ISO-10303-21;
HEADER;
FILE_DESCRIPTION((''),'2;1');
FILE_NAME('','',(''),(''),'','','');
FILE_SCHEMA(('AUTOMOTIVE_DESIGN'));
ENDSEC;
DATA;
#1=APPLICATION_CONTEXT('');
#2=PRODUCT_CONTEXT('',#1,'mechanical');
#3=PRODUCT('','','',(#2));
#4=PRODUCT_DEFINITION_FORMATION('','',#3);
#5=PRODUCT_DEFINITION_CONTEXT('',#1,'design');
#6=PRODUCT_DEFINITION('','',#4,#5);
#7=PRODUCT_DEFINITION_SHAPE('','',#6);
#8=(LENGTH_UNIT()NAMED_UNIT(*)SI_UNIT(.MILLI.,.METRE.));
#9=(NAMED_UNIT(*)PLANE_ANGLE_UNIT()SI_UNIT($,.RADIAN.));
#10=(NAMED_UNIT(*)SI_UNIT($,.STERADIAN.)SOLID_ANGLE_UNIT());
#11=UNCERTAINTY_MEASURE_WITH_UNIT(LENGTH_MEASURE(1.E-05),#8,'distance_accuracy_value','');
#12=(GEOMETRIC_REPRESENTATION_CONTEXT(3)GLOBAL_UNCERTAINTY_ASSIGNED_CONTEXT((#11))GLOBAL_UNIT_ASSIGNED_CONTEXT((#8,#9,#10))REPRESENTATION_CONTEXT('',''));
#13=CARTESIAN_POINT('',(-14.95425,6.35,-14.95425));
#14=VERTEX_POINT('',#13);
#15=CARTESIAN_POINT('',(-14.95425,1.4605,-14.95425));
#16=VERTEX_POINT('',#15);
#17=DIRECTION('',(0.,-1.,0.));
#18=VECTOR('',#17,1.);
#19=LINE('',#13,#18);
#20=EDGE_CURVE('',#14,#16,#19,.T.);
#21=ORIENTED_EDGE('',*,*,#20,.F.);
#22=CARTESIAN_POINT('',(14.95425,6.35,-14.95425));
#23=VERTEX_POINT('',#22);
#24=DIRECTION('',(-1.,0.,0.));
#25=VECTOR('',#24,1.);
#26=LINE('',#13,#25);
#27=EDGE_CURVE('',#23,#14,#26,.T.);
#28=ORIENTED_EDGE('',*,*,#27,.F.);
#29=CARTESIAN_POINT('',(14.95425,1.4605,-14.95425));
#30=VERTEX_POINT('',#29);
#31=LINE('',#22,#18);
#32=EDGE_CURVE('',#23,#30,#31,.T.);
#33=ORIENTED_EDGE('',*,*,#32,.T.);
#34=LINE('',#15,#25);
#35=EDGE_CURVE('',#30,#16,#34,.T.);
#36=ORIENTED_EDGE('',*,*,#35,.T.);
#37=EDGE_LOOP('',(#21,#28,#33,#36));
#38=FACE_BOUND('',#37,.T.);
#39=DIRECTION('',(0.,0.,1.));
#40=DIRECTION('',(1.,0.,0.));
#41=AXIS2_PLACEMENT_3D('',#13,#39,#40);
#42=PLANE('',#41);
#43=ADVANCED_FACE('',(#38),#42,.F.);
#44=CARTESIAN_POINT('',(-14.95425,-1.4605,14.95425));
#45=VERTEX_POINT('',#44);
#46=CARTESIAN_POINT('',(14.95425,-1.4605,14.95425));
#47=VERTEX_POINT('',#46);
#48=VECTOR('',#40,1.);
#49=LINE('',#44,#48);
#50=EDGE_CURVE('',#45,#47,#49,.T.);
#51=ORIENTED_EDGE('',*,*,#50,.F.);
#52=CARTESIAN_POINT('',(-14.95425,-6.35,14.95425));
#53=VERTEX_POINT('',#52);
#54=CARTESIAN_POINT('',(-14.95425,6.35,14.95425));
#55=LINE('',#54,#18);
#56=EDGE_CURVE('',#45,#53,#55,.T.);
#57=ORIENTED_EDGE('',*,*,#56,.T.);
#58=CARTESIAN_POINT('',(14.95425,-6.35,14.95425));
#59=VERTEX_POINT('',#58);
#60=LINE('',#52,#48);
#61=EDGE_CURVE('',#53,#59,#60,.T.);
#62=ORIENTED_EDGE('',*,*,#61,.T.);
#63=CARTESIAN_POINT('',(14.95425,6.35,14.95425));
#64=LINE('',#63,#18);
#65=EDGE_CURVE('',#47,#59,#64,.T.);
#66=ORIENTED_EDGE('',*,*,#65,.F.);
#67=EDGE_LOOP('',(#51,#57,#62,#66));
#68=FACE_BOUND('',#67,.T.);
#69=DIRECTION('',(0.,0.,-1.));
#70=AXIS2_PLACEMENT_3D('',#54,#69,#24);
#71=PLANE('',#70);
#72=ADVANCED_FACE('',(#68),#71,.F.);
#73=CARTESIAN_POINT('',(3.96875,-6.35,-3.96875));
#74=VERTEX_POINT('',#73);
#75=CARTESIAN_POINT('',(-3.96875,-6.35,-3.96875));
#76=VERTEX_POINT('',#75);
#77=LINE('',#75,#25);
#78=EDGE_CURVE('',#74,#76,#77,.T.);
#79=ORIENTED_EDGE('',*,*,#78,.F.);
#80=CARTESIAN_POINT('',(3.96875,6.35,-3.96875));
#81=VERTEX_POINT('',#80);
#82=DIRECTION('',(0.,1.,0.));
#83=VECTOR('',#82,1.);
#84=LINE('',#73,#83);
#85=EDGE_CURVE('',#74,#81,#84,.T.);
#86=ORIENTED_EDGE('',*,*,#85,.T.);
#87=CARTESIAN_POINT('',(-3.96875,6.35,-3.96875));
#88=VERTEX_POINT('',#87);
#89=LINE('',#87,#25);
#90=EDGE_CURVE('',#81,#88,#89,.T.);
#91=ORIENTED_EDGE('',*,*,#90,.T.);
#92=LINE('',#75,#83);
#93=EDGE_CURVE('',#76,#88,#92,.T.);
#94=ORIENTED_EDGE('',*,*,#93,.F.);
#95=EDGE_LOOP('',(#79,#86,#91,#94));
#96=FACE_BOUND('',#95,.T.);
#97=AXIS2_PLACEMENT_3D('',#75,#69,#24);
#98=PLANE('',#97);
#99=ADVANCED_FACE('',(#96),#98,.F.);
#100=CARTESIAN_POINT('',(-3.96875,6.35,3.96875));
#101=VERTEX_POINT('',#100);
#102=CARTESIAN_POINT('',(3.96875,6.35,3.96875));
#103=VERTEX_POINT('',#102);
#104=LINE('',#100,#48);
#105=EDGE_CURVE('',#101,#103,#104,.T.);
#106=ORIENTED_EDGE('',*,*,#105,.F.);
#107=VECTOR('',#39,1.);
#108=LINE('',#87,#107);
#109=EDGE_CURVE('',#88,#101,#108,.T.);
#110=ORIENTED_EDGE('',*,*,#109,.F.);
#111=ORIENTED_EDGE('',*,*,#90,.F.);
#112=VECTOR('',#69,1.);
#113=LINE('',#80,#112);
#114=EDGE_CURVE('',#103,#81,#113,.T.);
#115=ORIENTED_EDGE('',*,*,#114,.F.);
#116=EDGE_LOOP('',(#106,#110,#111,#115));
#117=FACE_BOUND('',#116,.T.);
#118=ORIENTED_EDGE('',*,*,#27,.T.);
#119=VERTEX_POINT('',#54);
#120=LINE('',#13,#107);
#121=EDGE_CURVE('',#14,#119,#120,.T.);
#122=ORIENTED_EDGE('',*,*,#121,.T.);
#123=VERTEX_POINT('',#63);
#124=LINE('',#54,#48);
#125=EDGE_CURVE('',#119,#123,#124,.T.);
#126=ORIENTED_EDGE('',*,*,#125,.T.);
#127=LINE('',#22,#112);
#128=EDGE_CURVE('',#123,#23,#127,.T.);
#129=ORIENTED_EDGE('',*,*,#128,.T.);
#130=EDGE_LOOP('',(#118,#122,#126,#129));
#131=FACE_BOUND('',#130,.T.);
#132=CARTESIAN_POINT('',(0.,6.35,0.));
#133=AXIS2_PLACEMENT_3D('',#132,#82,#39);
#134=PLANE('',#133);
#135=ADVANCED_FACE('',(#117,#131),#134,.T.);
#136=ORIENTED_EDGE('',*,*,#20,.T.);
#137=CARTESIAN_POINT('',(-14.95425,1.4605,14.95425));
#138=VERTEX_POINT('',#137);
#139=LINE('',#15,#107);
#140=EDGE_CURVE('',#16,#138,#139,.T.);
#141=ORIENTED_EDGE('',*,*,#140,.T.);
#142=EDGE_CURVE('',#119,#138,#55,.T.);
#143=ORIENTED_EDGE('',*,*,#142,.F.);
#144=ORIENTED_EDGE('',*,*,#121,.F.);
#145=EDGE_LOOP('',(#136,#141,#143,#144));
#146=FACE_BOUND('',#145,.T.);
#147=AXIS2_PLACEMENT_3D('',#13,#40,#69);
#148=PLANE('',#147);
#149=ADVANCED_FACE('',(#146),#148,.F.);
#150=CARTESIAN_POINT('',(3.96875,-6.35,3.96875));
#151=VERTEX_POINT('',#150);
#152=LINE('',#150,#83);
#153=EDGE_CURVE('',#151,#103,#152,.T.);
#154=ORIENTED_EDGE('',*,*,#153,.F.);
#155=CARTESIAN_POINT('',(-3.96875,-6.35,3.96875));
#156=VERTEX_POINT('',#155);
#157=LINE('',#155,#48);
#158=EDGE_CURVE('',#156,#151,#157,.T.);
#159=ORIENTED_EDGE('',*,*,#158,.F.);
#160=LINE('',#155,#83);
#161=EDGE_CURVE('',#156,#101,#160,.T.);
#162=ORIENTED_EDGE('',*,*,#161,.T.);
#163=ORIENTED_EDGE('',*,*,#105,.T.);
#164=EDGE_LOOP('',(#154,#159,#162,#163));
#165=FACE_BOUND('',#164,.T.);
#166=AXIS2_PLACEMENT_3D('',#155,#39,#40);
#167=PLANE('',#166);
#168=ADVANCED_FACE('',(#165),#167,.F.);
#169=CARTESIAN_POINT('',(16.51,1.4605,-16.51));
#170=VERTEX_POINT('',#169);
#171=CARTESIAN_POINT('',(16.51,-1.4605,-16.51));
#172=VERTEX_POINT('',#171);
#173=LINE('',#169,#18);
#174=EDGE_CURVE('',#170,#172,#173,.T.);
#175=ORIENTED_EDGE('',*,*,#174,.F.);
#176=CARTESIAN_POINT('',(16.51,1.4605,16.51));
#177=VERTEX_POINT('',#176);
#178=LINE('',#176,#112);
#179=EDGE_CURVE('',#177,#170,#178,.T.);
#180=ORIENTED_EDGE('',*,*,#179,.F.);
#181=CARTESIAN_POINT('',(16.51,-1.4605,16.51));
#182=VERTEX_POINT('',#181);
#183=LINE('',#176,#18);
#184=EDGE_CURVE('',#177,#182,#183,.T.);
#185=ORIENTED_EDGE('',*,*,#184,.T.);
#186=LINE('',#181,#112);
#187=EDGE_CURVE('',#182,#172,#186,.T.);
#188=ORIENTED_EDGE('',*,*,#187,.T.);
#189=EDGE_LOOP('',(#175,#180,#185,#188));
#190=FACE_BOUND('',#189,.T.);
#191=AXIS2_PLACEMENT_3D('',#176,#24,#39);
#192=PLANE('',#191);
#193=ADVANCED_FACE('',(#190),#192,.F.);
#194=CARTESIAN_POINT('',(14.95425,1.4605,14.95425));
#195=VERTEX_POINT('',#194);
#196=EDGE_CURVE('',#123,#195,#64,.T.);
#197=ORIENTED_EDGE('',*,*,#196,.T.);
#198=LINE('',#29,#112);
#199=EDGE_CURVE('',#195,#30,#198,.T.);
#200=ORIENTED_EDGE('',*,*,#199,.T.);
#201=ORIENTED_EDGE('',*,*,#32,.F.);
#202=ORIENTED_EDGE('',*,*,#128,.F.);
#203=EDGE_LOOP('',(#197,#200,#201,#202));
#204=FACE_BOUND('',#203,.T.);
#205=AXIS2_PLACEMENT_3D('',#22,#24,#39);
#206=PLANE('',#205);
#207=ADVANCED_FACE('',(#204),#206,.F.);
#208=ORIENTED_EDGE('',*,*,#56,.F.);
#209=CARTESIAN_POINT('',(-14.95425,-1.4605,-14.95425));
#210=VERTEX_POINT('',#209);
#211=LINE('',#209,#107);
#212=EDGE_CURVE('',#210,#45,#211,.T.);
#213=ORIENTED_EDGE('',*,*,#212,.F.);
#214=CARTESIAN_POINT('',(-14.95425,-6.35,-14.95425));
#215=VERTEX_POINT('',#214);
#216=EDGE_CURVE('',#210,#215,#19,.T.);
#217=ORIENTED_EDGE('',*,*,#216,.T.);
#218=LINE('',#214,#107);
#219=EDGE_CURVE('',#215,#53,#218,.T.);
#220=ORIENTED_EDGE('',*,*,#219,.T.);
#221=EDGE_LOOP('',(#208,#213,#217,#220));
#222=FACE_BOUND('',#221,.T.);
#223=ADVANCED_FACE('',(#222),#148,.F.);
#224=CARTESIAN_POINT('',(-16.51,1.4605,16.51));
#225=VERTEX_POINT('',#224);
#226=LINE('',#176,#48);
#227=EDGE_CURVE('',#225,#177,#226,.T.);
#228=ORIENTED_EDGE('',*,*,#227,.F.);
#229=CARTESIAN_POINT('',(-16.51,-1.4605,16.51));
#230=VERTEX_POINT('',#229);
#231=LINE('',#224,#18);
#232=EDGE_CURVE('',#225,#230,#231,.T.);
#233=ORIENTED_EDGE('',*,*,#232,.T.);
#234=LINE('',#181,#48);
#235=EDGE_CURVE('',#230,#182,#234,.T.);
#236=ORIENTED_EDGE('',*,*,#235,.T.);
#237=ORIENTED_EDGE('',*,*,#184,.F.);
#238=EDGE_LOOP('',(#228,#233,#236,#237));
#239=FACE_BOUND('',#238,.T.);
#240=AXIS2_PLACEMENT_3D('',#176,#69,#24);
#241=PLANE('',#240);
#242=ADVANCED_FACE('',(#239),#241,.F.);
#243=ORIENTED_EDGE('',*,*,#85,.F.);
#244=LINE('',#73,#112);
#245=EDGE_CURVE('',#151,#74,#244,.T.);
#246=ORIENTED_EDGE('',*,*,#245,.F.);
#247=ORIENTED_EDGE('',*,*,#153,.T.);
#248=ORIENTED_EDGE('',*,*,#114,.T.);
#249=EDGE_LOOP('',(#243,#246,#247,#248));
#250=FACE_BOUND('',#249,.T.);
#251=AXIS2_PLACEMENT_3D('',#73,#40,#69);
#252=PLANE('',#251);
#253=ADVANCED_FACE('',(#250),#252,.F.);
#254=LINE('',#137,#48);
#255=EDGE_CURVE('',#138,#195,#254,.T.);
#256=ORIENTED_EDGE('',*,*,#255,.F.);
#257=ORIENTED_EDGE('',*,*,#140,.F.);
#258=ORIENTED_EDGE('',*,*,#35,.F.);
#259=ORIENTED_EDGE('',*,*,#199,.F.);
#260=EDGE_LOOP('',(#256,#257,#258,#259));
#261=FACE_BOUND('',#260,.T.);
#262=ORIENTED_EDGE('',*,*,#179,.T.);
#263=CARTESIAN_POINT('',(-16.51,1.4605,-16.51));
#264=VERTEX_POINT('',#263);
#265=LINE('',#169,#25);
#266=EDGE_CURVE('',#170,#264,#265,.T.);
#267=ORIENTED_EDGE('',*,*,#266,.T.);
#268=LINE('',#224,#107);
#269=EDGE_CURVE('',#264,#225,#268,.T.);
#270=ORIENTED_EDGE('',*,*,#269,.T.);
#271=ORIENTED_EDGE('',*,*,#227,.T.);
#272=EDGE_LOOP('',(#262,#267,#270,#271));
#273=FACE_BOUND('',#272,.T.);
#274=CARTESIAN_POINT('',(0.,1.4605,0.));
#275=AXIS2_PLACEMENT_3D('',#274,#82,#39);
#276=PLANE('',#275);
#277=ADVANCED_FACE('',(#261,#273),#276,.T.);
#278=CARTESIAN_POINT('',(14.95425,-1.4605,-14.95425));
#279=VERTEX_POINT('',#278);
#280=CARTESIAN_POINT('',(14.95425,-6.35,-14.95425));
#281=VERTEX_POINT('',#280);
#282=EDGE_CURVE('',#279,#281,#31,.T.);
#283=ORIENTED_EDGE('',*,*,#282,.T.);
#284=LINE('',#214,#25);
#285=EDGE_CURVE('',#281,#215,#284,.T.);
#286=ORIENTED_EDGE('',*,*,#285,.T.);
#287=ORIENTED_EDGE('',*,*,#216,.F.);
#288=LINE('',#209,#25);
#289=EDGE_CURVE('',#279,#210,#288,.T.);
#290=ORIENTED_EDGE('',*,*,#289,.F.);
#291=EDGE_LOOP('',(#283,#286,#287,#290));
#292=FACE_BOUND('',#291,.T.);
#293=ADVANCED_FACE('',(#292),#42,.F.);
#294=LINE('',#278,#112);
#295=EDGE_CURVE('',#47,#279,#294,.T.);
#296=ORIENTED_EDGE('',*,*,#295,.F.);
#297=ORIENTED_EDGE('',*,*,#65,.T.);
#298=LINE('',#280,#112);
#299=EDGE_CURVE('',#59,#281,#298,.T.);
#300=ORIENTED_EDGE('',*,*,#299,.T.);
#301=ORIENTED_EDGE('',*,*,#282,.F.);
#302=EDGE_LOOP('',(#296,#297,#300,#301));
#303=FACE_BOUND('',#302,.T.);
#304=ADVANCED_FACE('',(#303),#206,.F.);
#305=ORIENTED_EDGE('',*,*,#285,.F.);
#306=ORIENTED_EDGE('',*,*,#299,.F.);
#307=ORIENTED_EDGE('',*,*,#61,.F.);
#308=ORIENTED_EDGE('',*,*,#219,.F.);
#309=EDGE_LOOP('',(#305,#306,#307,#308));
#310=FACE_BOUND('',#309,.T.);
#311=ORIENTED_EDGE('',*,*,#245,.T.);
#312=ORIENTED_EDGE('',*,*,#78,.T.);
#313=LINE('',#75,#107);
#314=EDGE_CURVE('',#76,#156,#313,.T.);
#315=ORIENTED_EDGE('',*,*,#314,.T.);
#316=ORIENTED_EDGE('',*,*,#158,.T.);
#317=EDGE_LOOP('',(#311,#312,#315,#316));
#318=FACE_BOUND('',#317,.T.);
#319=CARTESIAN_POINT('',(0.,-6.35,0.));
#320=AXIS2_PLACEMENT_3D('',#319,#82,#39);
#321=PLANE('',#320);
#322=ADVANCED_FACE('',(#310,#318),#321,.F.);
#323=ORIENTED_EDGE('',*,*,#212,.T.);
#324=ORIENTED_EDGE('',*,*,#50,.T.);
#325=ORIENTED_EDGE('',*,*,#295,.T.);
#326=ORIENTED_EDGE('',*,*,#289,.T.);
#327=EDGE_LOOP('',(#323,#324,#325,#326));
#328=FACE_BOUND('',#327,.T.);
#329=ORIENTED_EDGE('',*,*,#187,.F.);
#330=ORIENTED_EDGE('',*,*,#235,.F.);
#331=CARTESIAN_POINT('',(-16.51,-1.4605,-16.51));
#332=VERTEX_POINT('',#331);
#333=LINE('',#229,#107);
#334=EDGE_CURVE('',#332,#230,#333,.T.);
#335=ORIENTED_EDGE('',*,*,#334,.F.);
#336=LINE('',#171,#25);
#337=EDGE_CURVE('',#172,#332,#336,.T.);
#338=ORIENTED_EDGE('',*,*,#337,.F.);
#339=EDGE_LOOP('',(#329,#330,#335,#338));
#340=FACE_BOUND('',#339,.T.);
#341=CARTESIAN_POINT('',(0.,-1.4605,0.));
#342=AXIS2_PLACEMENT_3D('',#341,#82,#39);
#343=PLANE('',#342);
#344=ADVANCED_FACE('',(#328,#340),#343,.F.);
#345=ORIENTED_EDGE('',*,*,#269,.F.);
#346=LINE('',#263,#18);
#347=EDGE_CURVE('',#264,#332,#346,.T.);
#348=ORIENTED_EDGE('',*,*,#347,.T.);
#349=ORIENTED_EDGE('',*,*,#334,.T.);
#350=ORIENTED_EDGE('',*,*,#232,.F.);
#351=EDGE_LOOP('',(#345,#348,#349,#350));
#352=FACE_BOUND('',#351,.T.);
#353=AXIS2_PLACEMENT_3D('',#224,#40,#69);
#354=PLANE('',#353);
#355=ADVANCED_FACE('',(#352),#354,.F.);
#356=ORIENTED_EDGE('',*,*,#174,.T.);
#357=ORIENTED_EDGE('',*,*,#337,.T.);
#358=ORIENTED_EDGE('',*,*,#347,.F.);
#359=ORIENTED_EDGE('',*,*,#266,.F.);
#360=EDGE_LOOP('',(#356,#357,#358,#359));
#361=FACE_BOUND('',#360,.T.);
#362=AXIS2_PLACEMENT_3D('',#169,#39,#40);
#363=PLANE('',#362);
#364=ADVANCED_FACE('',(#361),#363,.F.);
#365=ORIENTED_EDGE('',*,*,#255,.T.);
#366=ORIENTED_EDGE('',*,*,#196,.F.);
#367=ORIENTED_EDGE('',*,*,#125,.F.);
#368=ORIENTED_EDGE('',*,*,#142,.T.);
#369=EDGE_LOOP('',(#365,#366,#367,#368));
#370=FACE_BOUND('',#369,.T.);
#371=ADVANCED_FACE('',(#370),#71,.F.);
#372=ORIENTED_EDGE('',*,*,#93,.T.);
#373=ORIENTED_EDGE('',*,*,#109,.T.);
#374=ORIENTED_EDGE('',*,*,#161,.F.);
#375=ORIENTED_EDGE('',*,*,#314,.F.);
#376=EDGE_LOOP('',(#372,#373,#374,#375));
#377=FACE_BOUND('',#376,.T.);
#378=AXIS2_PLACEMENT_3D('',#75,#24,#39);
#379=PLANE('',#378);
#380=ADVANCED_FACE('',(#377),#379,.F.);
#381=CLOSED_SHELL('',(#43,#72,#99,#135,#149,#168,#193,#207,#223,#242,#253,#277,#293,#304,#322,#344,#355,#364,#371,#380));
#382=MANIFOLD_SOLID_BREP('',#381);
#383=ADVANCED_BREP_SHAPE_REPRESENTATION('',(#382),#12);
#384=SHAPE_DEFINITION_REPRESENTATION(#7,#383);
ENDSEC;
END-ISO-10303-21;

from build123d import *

# Parameters (mm, degrees)
SKETCH1_W           = 29.9085
SKETCH1_H           = 29.9085
BOSS_EXTRUDE1_DEPTH = 6.35
SKETCH2_W           = 33.02
SKETCH2_H           = 33.02
BOSS_EXTRUDE2_DEPTH = 1.4605
SKETCH4_W           = 7.9375
SKETCH4_H           = 7.9375
CUT_EXTRUDE2_DEPTH  = 13.7


with BuildPart() as part:
    # Sketch1 → Boss-Extrude1 (new body, symmetric)
    with BuildSketch(Plane(origin=(0, 0, 0), x_dir=(1, 0, 0), z_dir=(0, 1, 0))):
        Rectangle(SKETCH1_W, SKETCH1_H)
    extrude(amount=BOSS_EXTRUDE1_DEPTH, both=True)

    # Sketch2 → Boss-Extrude2 (add, symmetric)
    with BuildSketch(Plane(origin=(0, 0, 0), x_dir=(1, 0, 0), z_dir=(0, 1, 0))):
        Rectangle(SKETCH2_W, SKETCH2_H)
    extrude(amount=BOSS_EXTRUDE2_DEPTH, both=True)

    # Sketch4 → Cut-Extrude2 (cut, through all)
    with BuildSketch(Plane(origin=(0, 6.35, 0), x_dir=(1, 0, 0), z_dir=(0, 1, 0))):
        Rectangle(SKETCH4_W, SKETCH4_H)
    extrude(amount=-CUT_EXTRUDE2_DEPTH, mode=Mode.SUBTRACT)


solid = part.part
